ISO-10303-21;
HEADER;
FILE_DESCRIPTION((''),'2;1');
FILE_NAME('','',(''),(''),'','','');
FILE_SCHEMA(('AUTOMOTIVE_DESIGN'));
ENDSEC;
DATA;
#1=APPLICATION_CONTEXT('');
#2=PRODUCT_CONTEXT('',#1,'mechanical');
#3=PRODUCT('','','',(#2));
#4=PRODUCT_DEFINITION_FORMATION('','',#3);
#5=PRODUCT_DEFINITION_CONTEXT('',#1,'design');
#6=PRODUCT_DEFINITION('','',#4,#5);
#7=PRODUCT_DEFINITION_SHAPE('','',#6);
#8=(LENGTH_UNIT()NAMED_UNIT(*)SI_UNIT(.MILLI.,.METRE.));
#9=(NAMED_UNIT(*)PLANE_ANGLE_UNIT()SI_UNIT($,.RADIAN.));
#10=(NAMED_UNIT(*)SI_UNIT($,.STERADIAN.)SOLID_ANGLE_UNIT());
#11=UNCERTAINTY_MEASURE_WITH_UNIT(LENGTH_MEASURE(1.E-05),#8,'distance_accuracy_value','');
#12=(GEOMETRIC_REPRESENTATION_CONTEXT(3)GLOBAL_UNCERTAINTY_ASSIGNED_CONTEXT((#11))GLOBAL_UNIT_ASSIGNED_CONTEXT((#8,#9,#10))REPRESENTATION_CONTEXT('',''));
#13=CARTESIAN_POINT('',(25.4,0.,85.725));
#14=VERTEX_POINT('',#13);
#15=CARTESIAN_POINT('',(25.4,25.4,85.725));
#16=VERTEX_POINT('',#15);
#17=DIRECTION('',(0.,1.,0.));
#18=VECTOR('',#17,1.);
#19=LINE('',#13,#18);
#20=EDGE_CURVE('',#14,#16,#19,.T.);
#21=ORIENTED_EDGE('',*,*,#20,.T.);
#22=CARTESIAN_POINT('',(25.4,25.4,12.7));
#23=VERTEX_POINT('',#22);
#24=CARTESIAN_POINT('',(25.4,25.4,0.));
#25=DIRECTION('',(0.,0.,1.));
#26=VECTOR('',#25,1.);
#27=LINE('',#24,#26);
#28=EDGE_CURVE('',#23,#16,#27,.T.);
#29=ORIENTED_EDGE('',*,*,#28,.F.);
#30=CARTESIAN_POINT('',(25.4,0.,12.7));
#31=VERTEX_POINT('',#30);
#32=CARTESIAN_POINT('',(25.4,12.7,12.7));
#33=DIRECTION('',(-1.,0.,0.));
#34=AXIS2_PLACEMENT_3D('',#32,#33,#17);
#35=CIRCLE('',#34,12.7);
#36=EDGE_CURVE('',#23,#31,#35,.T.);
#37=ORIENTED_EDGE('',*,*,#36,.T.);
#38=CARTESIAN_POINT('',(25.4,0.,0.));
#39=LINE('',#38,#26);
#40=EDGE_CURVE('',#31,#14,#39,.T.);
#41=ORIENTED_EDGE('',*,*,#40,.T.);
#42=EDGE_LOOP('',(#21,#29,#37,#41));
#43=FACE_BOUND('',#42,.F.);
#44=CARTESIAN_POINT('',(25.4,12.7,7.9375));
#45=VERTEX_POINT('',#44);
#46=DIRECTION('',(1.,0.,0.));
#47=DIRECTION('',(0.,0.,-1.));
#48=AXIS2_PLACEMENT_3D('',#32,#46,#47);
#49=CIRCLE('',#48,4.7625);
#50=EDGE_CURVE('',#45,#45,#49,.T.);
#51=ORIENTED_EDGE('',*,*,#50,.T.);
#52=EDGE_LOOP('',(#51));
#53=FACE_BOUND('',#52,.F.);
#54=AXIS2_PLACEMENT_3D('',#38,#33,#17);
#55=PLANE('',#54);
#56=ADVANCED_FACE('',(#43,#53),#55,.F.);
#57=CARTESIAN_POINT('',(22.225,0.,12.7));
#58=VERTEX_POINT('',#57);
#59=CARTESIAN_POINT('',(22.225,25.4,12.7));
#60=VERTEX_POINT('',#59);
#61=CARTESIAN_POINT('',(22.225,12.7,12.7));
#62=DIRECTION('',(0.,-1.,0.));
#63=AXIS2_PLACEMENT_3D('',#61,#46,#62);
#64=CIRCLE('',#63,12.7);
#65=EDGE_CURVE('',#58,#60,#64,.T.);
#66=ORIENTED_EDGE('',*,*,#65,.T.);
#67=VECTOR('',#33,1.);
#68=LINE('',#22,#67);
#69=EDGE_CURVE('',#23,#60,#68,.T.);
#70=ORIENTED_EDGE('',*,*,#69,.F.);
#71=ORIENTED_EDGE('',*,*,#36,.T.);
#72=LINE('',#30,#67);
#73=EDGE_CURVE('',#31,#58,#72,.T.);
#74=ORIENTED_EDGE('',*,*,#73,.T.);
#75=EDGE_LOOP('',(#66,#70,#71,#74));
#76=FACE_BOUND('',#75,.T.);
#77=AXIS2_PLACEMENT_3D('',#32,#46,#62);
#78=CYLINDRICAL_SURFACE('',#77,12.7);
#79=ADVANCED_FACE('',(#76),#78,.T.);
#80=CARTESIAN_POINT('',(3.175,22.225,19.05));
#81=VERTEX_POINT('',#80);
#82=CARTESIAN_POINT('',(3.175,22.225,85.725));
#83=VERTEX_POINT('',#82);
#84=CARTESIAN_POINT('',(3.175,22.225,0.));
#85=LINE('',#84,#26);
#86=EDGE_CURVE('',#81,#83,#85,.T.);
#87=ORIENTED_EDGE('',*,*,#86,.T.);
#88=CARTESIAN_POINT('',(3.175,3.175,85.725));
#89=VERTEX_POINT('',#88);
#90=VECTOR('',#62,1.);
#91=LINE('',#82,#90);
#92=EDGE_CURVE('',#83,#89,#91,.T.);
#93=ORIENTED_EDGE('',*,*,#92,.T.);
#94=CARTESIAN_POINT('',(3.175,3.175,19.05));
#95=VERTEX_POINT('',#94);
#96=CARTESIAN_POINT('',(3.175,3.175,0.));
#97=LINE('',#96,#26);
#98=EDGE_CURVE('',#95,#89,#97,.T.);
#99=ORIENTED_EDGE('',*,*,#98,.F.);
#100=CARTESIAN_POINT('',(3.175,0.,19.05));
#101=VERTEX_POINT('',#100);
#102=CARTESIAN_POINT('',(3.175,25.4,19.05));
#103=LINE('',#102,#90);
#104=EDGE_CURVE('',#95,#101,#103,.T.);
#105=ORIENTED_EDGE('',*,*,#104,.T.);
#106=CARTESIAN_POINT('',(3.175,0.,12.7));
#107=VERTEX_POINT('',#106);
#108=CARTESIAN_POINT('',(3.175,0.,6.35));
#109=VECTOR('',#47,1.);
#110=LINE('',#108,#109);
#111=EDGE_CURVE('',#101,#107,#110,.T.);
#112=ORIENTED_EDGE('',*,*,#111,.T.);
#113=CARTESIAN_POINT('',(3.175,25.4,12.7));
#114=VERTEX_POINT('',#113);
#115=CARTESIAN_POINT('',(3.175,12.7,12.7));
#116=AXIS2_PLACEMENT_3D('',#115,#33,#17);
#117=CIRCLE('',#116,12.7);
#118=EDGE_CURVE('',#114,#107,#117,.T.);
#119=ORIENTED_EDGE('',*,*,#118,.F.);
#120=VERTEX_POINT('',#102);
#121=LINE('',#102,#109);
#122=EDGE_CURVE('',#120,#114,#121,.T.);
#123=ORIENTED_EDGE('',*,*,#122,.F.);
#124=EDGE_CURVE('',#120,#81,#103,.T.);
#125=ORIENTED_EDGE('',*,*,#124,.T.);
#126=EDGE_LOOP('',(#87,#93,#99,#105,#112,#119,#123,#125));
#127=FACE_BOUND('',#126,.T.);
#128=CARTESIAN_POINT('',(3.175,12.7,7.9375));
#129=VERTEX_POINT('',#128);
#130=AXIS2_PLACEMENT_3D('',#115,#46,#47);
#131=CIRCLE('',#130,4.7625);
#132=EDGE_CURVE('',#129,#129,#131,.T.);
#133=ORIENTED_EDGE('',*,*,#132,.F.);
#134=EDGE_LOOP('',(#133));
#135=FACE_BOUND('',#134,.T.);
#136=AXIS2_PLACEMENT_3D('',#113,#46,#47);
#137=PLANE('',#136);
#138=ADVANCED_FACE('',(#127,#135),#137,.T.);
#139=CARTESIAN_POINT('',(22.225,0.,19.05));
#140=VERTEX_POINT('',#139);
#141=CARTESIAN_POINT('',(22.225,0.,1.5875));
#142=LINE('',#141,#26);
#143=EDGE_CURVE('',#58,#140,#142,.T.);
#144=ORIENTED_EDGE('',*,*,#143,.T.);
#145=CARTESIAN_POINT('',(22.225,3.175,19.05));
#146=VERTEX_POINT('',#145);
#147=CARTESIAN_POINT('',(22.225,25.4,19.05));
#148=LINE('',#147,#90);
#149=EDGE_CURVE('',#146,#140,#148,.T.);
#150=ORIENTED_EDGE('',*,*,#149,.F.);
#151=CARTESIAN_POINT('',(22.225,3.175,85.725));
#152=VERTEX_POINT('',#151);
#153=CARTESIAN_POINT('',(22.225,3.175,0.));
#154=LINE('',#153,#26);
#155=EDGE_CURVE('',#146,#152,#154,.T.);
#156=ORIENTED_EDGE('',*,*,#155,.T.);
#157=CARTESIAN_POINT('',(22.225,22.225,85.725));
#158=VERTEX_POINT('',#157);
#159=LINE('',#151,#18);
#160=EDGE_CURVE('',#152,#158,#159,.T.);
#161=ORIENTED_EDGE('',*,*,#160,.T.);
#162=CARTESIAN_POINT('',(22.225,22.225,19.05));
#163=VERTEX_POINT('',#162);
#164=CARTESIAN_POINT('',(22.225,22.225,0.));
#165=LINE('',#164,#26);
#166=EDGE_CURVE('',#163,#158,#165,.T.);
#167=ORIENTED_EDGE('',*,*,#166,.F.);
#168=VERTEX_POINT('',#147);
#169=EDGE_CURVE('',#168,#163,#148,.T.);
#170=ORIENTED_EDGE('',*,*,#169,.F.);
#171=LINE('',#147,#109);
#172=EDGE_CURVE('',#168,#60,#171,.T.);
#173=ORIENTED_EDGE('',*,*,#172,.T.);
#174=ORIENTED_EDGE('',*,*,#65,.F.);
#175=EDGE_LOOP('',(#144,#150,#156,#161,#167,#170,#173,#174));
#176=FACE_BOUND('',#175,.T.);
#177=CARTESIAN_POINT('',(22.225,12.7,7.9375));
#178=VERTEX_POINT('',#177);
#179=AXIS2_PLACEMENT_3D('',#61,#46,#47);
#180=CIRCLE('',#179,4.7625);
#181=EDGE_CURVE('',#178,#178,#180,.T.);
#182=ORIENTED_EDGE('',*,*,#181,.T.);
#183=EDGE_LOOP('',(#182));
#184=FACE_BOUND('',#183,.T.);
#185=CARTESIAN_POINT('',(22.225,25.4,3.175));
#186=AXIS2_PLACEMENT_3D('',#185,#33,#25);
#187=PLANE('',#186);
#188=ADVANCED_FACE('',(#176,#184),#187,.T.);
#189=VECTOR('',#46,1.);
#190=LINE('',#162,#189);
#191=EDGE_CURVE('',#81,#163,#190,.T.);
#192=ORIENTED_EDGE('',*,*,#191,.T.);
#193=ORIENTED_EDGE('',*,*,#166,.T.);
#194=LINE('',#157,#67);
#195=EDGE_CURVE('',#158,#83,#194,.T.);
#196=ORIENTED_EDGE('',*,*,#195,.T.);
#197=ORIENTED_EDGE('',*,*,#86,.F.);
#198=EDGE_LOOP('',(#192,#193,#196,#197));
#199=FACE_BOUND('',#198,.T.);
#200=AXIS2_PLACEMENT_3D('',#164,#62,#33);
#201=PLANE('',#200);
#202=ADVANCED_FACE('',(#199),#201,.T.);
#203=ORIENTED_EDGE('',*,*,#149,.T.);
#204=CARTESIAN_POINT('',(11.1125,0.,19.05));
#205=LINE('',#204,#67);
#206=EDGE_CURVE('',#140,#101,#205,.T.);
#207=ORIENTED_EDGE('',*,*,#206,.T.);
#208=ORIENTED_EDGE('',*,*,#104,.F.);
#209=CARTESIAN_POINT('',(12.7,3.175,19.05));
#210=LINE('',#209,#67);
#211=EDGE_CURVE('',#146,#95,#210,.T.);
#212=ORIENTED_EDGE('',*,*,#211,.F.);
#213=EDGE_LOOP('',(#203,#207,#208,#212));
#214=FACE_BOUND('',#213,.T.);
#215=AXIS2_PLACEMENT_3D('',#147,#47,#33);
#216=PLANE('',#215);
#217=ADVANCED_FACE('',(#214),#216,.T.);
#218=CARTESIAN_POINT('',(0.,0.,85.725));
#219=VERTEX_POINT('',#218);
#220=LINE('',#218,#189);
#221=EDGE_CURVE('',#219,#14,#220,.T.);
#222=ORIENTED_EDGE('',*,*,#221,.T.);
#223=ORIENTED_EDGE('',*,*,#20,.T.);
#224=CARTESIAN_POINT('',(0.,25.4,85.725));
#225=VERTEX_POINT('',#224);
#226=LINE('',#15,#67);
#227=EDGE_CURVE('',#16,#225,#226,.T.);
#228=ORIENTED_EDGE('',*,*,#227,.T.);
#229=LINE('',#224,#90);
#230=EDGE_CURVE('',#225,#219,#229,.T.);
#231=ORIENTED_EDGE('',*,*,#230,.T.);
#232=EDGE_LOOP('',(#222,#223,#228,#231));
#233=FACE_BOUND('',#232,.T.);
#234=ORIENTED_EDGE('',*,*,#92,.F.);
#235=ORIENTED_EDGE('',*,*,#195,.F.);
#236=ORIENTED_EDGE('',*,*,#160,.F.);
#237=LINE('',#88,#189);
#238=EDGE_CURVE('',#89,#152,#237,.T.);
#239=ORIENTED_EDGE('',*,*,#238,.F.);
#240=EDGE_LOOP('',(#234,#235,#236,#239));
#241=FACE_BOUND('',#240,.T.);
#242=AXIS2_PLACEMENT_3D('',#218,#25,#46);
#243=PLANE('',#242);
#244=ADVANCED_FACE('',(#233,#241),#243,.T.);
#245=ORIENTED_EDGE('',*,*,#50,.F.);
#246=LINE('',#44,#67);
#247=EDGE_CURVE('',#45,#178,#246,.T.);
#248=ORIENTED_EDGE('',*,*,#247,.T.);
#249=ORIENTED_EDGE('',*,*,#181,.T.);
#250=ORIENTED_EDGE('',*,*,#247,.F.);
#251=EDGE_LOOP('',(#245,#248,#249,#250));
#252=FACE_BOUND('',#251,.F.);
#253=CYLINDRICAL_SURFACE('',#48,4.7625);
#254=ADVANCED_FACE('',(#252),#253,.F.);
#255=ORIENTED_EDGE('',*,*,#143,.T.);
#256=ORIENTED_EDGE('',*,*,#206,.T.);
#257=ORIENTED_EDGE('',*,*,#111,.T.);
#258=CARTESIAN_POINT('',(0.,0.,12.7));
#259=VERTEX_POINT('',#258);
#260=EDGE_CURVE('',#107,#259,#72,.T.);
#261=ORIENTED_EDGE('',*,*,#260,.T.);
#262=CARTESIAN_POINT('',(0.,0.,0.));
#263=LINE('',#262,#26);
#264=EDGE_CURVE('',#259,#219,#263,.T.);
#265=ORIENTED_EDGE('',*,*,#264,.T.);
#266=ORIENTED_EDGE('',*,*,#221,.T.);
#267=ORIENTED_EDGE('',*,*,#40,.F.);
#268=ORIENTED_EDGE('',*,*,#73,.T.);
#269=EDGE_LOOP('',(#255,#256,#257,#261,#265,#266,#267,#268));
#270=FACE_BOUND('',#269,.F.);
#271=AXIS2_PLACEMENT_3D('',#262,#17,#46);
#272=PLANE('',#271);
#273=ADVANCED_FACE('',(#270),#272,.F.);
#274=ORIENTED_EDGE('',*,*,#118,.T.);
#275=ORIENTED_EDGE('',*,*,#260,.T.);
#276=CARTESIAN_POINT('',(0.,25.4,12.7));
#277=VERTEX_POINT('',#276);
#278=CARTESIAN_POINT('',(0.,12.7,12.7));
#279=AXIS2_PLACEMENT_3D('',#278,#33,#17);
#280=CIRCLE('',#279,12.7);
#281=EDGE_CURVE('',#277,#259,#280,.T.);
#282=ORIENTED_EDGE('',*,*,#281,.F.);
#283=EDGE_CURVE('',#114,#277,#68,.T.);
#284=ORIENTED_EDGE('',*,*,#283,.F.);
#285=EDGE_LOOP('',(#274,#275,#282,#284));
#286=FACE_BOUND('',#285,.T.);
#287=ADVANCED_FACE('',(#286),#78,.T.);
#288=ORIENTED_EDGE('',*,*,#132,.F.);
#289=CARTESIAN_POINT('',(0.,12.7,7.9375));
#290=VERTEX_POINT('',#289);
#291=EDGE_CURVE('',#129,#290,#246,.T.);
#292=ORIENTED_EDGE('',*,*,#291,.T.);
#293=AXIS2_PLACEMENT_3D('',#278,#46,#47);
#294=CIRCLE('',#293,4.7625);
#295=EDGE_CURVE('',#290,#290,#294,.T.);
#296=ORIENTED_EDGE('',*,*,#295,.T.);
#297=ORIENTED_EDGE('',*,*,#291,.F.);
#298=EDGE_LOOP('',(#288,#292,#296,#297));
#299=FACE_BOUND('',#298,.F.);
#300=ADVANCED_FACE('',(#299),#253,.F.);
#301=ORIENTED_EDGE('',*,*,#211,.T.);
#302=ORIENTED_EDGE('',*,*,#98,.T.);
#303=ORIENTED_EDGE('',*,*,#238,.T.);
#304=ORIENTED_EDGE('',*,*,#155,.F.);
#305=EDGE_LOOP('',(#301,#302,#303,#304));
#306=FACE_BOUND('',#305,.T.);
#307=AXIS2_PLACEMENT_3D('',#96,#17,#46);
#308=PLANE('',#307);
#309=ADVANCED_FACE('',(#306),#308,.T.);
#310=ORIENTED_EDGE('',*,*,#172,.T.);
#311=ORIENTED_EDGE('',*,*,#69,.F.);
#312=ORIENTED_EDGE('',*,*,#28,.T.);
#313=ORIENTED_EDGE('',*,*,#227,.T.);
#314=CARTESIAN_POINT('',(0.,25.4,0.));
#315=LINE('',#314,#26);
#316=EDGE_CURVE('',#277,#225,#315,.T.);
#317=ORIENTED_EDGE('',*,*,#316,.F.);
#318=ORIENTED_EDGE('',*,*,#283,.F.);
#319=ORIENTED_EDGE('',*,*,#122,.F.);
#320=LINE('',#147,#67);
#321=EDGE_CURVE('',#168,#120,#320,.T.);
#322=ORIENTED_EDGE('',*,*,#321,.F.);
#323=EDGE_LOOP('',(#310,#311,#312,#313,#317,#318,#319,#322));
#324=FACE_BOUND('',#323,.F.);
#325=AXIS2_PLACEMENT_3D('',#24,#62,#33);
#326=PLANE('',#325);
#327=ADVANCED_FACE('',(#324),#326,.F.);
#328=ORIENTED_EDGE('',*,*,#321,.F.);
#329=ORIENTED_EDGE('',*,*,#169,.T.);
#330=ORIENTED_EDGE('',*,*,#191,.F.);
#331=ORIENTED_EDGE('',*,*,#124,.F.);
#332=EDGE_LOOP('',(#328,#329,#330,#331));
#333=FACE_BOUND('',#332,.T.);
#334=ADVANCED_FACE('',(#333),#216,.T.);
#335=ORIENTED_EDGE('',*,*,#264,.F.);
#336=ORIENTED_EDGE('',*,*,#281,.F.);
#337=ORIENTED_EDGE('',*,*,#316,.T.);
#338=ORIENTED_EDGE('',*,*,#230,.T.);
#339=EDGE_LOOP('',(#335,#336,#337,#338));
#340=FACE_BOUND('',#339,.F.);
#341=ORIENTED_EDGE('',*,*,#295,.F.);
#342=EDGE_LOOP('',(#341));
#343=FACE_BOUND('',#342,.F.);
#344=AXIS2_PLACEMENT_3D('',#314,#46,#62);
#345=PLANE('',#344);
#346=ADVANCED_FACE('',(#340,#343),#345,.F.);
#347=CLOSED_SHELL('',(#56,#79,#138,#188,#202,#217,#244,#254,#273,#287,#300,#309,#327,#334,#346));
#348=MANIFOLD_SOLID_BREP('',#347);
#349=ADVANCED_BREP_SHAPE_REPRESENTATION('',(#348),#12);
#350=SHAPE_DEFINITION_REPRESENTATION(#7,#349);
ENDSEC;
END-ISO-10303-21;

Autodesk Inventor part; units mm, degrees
ref_plane "YZ Plane" through (0, 0, 0) normal (1, 0, 0) x (0, 1, 0)
ref_plane "XZ Plane" through (0, 0, 0) normal (0, 1, 0) x (-1, 0, 0)
ref_plane "XY Plane" through (0, 0, 0) normal (0, 0, 1) x (1, 0, 0)
sketch "Sketch1" plane through (0, 0, 0) normal (0, 0, 1) x (1, 0, 0)
  line L0 (0, 0) -> (25.4, 0)
  line L1 (25.4, 0) -> (25.4, 25.4)
  line L2 (25.4, 25.4) -> (0, 25.4)
  line L3 (0, 25.4) -> (0, 0)
  line L4 (3.175, 3.175) -> (22.225, 3.175)
  line L5 (22.225, 3.175) -> (22.225, 22.225)
  line L6 (22.225, 22.225) -> (3.175, 22.225)
  line L7 (3.175, 22.225) -> (3.175, 3.175)
  dimension "d0" = 25.4
  dimension "d1" = 25.4
  dimension "d2" = 3.175
  dimension "d3" = 3.175
  dimension "d4" = 3.175
  dimension "d5" = 3.175
extrude "Extrusion1" add sketch "Sketch1" along normal blind 85.725
sketch "Sketch2" plane through (25.4, 0, 0) normal (1, 0, 0) x (0, 0, -1)
  line L0 (-85.725, 25.4) -> (-85.725, 0) projected
  line L1 (0, 0) -> (-85.725, 0) projected
  line L2 (0, 0) -> (0, 25.4) projected
  line L3 (0, 25.4) -> (-85.725, 25.4) projected
  circle A0 centre (-12.7, 12.7) radius 4.7625
  arc A1 (-12.7, 0) -> (-12.7, 25.4) centre (-12.7, 12.7) ccw
  dimension "d8" = 9.525
  dimension "d9" = 12.7
  dimension "d10" = 12.7
extrude "Extrusion2" cut sketch "Sketch2" against normal blind 25.4 contours L3 L2 A1 | A1 L2 L1 | A0
sketch "Sketch3" plane through (0, 25.4, 85.725) normal (0, 1, 0) x (1, 0, 0)
  line L0 (0, 73.025) -> (25.4, 73.025) projected
  line L1 (3.175, 82.55) -> (22.225, 82.55)
  line L2 (22.225, 82.55) -> (22.225, 66.675)
  line L3 (22.225, 66.675) -> (3.175, 66.675)
  line L4 (3.175, 66.675) -> (3.175, 82.55)
  line L5 (0, 85.725) -> (0, 73.025) projected
  dimension "d13" = 19.05
  dimension "d14" = 3.175
  dimension "d17" = 15.875
  dimension "d18" = 6.35
extrude "Extrusion3" cut sketch "Sketch3" against normal through all
equation "\"d2\" = d5"
equation "\"d3\" = d2"
equation "\"d5\" = d4"
equation "\"d10\" = d9"
properties part number "8 ball pnumatic arm tube"
